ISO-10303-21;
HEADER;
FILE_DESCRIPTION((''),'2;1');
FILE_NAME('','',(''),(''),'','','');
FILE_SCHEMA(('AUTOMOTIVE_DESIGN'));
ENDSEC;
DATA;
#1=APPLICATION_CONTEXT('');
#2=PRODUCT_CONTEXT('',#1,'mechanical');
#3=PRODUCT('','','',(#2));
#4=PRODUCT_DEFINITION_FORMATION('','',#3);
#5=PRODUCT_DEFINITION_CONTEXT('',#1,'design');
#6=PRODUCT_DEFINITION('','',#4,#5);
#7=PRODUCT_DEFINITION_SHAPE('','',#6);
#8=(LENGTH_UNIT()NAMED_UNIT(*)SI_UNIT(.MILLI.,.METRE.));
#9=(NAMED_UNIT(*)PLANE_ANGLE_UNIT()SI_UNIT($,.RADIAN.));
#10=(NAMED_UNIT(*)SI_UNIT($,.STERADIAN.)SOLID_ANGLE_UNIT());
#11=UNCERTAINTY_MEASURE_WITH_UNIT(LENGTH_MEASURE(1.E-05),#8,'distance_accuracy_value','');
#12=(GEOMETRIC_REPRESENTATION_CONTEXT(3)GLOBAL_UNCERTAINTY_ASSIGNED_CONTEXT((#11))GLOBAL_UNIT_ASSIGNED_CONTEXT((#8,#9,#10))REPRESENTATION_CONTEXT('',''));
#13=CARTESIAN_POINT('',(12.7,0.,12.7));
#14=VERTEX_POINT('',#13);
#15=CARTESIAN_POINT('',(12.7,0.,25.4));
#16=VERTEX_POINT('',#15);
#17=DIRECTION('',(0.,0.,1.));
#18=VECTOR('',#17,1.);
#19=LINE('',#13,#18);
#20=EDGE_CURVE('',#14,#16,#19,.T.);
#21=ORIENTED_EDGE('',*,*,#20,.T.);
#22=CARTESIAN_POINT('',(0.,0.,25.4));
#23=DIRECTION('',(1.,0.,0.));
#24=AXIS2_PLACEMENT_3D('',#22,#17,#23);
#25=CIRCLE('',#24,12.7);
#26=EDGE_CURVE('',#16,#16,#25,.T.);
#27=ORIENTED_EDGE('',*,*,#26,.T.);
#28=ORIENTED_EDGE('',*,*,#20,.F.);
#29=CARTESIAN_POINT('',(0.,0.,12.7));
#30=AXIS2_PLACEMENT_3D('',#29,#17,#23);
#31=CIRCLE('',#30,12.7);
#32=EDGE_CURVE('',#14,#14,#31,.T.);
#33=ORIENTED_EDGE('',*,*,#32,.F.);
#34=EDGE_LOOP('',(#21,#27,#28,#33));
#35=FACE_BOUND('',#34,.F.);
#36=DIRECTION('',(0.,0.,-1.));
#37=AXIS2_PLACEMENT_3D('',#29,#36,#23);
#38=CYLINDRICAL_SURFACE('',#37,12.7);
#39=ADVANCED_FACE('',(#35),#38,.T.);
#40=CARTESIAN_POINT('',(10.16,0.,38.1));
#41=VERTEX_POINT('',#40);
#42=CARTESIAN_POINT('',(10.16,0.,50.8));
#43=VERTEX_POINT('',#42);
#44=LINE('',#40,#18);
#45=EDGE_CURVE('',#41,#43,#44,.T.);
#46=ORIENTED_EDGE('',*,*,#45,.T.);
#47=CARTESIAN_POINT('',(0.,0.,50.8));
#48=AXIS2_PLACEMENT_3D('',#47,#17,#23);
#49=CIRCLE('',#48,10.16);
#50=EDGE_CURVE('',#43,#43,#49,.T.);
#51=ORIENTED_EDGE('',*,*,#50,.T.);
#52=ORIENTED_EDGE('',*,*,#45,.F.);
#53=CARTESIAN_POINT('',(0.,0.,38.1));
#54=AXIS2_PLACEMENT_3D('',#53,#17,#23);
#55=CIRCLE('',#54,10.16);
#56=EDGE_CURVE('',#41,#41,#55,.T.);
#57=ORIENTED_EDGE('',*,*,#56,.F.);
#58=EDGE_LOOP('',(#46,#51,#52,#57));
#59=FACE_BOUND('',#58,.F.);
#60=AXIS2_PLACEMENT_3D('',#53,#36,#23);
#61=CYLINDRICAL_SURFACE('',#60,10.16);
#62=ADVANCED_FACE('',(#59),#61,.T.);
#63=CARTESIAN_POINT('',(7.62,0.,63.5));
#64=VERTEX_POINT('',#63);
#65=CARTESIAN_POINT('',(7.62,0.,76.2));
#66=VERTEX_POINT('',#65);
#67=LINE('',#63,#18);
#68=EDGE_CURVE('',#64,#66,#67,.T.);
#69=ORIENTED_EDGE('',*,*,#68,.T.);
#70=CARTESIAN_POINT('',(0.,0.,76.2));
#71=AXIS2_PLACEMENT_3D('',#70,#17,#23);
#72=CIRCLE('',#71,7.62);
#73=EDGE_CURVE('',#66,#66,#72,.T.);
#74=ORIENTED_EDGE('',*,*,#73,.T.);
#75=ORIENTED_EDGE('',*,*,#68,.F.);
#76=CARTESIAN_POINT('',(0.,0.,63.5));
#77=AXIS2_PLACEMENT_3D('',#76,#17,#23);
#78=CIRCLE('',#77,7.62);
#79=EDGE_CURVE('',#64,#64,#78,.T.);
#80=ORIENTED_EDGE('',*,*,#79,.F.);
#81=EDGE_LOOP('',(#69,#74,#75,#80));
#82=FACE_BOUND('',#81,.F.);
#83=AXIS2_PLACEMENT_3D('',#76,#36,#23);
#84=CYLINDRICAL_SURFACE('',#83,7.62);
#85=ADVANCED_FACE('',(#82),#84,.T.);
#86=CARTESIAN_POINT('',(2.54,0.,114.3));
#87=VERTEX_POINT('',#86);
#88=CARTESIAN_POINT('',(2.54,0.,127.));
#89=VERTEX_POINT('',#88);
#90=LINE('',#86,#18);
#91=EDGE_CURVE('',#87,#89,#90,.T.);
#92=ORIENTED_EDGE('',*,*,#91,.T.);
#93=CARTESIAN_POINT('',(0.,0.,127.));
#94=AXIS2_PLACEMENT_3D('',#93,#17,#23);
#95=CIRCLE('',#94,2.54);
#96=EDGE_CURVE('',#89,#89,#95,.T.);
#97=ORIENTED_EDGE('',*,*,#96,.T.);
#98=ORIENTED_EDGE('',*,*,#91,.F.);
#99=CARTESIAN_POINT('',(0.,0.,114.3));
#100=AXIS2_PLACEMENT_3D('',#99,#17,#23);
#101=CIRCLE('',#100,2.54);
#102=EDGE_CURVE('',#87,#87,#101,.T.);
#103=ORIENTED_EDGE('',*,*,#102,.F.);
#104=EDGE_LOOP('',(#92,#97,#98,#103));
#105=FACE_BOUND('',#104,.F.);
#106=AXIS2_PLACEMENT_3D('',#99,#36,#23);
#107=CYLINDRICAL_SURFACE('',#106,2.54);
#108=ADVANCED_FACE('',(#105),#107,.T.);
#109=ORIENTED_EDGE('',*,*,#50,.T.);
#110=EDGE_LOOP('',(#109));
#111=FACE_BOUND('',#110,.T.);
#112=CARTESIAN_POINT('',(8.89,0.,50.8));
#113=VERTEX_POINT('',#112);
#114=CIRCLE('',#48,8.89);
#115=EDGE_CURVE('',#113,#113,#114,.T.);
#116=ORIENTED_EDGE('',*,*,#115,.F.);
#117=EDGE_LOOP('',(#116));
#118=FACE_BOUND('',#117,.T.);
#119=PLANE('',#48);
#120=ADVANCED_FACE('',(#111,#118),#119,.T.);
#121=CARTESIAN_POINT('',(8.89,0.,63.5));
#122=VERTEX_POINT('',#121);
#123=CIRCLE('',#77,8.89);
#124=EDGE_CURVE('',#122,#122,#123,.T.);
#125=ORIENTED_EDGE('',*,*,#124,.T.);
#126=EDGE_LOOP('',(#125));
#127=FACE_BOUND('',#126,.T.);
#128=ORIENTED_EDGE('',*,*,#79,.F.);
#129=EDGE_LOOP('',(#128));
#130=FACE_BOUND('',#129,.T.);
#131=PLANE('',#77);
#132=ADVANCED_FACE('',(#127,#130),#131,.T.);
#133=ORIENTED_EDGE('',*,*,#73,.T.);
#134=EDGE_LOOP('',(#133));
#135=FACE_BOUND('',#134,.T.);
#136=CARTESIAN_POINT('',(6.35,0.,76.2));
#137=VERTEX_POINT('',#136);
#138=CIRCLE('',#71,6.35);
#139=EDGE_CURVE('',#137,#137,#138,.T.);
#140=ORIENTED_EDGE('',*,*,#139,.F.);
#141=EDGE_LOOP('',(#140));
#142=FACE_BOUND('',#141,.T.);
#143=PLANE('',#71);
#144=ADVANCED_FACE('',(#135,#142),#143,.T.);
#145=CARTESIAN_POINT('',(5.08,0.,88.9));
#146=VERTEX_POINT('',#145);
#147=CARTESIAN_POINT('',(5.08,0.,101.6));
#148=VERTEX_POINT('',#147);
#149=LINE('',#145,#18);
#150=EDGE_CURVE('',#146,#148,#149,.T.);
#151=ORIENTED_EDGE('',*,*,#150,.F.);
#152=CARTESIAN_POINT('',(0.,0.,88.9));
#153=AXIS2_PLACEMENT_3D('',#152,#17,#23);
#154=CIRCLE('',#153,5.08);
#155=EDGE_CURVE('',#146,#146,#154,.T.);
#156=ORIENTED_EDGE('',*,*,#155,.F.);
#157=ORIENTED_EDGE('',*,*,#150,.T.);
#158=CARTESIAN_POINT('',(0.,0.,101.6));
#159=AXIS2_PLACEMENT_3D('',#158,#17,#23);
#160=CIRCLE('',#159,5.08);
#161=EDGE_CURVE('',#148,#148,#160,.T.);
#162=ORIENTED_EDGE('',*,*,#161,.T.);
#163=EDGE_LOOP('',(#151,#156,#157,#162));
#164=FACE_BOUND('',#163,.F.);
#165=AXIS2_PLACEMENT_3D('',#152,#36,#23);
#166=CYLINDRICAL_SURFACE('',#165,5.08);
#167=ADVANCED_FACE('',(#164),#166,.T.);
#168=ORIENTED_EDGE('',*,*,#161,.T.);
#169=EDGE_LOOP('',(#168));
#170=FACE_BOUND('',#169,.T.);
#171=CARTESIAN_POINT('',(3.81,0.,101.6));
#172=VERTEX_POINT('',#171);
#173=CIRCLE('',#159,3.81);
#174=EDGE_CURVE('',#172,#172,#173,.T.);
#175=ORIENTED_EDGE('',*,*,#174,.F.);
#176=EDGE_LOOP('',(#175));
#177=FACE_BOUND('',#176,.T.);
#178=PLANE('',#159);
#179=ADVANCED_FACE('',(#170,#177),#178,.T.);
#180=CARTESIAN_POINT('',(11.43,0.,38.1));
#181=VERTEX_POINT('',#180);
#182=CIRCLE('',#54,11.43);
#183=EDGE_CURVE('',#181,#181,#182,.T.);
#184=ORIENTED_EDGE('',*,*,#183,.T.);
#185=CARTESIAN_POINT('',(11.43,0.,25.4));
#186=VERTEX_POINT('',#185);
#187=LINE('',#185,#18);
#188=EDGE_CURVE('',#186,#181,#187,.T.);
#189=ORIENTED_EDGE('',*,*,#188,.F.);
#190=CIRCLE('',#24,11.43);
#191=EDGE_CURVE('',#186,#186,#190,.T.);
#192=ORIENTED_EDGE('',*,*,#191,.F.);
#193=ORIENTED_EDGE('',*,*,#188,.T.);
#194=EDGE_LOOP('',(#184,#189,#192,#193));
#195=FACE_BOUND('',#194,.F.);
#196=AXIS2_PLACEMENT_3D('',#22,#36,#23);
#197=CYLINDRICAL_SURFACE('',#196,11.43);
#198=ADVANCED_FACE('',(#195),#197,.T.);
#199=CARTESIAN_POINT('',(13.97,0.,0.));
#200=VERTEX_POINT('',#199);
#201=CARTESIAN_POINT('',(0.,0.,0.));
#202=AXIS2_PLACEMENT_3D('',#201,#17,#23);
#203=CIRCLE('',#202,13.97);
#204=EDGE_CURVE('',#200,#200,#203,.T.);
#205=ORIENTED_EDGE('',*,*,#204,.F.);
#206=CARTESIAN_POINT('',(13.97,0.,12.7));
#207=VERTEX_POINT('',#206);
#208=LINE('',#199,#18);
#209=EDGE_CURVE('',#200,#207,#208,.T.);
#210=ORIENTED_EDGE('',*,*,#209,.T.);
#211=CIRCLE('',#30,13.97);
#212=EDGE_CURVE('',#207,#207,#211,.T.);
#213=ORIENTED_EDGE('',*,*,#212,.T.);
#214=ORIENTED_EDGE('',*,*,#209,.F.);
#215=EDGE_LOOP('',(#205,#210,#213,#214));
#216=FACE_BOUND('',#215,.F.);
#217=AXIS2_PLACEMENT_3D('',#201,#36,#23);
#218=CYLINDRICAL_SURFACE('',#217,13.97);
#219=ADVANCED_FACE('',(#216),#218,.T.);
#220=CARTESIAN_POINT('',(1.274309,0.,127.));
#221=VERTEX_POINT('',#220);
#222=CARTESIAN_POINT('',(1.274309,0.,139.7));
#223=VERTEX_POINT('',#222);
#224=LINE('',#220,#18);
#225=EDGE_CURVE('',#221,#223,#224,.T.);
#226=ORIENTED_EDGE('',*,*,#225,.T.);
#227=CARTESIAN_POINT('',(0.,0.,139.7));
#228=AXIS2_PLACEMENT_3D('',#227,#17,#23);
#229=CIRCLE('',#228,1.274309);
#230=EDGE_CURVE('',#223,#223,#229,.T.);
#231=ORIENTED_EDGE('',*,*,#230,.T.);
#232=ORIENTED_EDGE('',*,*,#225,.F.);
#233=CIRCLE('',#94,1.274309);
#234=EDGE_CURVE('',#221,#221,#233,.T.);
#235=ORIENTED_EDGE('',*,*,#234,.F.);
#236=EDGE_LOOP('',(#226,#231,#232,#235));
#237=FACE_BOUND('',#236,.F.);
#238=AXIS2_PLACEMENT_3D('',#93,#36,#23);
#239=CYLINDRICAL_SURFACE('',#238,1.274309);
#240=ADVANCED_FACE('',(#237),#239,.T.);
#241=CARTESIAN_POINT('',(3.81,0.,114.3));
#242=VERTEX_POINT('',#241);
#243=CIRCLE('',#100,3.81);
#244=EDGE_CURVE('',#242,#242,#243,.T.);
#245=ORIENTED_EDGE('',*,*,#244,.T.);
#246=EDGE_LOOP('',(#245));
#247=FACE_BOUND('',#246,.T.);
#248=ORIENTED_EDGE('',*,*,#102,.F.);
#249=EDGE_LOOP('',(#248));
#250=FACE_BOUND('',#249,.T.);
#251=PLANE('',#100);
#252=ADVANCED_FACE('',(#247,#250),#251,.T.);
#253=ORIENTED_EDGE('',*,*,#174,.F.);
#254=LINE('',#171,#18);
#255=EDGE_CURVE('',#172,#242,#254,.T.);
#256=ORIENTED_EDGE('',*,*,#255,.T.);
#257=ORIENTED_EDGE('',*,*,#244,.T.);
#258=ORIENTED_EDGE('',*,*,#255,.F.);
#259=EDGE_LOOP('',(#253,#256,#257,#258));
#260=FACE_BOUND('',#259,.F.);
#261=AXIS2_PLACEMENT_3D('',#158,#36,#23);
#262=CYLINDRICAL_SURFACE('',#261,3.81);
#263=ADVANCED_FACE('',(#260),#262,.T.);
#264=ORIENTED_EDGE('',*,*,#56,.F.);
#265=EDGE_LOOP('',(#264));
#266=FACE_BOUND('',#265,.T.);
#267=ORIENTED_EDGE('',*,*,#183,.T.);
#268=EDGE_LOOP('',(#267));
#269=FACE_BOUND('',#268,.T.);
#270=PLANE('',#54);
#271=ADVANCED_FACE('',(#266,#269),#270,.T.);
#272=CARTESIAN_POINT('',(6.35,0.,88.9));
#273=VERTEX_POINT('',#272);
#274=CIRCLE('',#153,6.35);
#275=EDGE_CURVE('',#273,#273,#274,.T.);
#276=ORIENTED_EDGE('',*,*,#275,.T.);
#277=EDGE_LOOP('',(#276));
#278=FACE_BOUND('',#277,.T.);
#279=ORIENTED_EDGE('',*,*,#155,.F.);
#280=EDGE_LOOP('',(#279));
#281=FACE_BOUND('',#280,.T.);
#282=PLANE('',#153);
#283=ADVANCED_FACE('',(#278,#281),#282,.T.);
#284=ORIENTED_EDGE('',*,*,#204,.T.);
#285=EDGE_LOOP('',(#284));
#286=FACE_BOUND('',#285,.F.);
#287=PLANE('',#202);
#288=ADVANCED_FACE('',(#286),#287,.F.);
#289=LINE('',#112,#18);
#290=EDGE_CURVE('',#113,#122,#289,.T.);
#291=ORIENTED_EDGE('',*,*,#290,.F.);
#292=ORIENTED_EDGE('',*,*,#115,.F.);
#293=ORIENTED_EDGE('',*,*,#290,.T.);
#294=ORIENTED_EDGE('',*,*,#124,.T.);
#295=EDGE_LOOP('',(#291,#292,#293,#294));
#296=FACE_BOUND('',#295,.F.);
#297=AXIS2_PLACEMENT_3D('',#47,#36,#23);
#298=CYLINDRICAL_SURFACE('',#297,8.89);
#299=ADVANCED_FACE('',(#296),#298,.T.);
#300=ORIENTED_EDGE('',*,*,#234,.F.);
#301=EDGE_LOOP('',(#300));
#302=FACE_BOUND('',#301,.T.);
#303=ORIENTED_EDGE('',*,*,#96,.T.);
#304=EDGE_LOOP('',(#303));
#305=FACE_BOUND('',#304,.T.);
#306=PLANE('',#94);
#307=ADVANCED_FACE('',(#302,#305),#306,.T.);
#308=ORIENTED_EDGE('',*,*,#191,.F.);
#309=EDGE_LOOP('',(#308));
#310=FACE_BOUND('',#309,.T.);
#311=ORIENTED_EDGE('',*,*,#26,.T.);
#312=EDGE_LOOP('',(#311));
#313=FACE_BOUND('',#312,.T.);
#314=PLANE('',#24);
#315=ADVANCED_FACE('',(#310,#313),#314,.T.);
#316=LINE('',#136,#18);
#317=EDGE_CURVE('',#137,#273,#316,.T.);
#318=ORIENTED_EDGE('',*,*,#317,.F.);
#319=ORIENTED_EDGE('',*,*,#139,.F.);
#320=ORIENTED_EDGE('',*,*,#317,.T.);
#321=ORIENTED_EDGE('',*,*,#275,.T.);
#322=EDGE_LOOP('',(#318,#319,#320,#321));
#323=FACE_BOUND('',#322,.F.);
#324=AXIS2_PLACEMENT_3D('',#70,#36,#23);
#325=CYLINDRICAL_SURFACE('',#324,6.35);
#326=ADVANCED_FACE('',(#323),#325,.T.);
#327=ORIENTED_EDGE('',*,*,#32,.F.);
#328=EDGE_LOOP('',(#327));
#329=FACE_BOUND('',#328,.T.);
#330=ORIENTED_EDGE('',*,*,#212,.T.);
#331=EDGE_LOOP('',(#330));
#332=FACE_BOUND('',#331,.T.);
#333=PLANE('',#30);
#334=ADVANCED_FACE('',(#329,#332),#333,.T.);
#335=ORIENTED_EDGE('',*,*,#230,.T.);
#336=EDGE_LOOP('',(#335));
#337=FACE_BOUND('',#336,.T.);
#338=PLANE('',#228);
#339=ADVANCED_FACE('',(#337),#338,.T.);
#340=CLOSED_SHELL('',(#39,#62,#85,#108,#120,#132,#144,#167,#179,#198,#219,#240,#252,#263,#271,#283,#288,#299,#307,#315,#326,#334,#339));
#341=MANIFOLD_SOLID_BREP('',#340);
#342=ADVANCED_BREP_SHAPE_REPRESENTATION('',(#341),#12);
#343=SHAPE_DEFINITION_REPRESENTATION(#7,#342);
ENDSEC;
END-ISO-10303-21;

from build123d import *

# Parameters (mm, degrees)
F0_R      = 13.97
F1_DEPTH  = 12.7
F2_R      = 12.7
F3_DEPTH  = 12.7
F4_R      = 11.43
F5_DEPTH  = 12.7
F6_R      = 10.16
F7_DEPTH  = 12.7
F8_R      = 8.89
F9_DEPTH  = 12.7
F10_R     = 7.62
F11_DEPTH = 12.7
F12_R     = 6.35
F13_DEPTH = 12.7
F14_R     = 5.08
F15_DEPTH = 12.7
F16_R     = 3.81
F17_DEPTH = 12.7
F18_R     = 2.54
F19_DEPTH = 12.7
F20_R     = 1.274309
F21_DEPTH = 12.7


with BuildPart() as f1:
    # F0 (on Top) → F1 (new body)
    with BuildSketch(Plane.XY):
        Circle(F0_R)
    extrude(amount=F1_DEPTH)

    # F2 (on face) → F3 (join)
    with BuildSketch(Plane.XY.offset(12.7)):
        Circle(F2_R)
    extrude(amount=F3_DEPTH)

    # F4 (on face) → F5 (join)
    with BuildSketch(Plane.XY.offset(25.4)):
        Circle(F4_R)
    extrude(amount=F5_DEPTH)

    # F6 (on face) → F7 (join)
    with BuildSketch(Plane.XY.offset(38.1)):
        Circle(F6_R)
    extrude(amount=F7_DEPTH)

    # F8 (on face) → F9 (join)
    with BuildSketch(Plane.XY.offset(50.8)):
        Circle(F8_R)
    extrude(amount=F9_DEPTH)

    # F10 (on face) → F11 (join)
    with BuildSketch(Plane.XY.offset(63.5)):
        Circle(F10_R)
    extrude(amount=F11_DEPTH)

    # F12 (on face) → F13 (join)
    with BuildSketch(Plane.XY.offset(76.2)):
        Circle(F12_R)
    extrude(amount=F13_DEPTH)

    # F14 (on face) → F15 (join)
    with BuildSketch(Plane.XY.offset(88.9)):
        Circle(F14_R)
    extrude(amount=F15_DEPTH)

    # F16 (on face) → F17 (join)
    with BuildSketch(Plane.XY.offset(101.6)):
        Circle(F16_R)
    extrude(amount=F17_DEPTH)

    # F18 (on face) → F19 (join)
    with BuildSketch(Plane.XY.offset(114.3)):
        Circle(F18_R)
    extrude(amount=F19_DEPTH)

    # F20 (on face) → F21 (join)
    with BuildSketch(Plane.XY.offset(127)):
        Circle(F20_R)
    extrude(amount=F21_DEPTH)


solid = f1.part
